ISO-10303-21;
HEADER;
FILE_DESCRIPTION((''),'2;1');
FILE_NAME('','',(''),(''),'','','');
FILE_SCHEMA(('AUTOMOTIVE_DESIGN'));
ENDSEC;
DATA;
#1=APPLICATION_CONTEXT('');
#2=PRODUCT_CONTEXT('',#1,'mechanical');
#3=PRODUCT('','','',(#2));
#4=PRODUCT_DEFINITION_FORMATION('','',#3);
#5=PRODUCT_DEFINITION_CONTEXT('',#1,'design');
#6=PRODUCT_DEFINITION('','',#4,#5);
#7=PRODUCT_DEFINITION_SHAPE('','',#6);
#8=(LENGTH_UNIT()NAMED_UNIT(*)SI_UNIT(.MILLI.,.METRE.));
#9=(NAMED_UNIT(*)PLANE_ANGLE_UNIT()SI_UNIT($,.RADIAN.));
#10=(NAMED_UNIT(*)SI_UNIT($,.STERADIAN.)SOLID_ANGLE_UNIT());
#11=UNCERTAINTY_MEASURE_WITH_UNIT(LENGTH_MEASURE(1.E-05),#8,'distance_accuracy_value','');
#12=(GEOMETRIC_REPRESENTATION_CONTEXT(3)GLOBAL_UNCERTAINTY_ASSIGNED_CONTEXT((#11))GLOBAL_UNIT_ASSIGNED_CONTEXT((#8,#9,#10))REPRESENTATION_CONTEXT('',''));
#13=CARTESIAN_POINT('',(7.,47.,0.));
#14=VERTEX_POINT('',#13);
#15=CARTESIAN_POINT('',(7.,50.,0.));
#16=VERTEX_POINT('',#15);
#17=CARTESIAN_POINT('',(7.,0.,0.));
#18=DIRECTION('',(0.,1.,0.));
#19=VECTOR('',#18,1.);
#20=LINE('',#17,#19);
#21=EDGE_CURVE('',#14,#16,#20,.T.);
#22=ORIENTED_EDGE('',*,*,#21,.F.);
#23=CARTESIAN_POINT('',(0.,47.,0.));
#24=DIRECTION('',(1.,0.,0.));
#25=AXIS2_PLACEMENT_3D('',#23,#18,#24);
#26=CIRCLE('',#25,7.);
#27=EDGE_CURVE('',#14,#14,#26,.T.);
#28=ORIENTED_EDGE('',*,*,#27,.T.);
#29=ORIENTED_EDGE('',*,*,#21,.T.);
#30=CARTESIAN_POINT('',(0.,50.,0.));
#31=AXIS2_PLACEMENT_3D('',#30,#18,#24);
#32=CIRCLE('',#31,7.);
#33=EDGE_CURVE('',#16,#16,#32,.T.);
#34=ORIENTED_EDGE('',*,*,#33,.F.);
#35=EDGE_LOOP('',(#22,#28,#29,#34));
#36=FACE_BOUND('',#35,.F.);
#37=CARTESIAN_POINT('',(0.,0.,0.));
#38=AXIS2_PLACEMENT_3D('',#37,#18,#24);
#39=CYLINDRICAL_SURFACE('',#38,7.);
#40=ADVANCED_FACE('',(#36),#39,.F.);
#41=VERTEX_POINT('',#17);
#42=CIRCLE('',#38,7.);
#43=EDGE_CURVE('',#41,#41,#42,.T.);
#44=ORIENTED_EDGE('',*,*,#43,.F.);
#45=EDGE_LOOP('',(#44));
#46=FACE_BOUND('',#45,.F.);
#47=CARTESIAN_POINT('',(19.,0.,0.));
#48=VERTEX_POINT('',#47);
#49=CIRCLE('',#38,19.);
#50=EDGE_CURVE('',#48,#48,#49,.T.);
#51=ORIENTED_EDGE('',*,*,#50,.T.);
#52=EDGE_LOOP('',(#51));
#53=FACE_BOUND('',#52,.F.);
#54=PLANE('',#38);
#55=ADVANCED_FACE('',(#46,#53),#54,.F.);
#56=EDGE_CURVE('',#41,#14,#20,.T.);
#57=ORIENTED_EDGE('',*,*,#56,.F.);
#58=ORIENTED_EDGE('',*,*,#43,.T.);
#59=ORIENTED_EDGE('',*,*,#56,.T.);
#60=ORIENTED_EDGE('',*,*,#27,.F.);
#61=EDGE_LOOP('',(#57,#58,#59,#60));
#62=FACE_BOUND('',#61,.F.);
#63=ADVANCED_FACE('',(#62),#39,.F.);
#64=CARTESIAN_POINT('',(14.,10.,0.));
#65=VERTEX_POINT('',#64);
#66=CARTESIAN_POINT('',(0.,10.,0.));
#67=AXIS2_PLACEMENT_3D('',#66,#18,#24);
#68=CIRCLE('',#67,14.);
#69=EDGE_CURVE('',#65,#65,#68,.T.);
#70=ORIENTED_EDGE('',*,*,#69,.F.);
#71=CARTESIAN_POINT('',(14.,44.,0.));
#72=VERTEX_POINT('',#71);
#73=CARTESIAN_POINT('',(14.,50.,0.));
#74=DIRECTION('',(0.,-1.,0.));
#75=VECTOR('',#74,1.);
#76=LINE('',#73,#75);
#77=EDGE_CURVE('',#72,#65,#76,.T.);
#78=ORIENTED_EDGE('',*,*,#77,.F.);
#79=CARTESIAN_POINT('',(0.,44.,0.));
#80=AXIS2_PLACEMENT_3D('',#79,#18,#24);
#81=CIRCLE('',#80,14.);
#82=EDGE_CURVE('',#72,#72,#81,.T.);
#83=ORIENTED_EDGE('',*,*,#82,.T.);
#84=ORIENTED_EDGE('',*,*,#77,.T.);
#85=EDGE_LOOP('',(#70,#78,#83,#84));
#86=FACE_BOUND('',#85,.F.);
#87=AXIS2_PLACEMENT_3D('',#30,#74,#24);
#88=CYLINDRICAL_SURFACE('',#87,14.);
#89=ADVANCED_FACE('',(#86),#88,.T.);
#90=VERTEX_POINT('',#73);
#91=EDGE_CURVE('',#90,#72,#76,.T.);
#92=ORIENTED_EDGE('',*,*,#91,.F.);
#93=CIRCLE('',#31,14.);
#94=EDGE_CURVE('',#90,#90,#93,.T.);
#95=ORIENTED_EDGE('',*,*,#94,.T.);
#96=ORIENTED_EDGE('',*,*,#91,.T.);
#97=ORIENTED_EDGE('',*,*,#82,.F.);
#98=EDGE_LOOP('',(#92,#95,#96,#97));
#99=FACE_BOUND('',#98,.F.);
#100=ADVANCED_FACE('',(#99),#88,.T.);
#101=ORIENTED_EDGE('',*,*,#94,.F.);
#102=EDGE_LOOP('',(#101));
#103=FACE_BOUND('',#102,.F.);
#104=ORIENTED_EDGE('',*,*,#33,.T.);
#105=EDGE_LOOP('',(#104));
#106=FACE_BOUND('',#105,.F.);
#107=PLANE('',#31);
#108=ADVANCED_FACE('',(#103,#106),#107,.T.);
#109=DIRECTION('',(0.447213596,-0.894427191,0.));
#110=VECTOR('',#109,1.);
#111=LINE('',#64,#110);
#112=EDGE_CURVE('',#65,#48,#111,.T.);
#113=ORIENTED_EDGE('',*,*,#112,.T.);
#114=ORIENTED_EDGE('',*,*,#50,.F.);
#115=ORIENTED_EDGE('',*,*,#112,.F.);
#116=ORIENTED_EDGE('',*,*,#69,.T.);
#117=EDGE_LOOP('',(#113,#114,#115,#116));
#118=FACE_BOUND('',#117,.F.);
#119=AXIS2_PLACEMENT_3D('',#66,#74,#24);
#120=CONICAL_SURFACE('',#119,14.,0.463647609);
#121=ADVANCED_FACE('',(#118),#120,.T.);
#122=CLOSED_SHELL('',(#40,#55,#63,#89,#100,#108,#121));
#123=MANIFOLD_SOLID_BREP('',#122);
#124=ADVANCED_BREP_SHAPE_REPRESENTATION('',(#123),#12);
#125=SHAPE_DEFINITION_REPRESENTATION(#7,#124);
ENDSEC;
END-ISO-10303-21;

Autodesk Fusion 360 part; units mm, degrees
sketch "Sketch1" plane through (0, 0, 0) normal (0, 0, 1) x (1, 0, 0)
  line L0 (0, 0) -> (0, 50) construction
  line L1 (7, 50) -> (14, 50)
  line L2 (14, 50) -> (14, 10)
  line L3 (14, 10) -> (19, 0)
  line L4 (19, 0) -> (7, 0)
  line L5 (7, 0) -> (7, 50)
  line L6 (0, 47) -> (7, 47)
  line L7 (7, 47) -> (7, 50)
  line L8 (7, 50) -> (14, 50)
  line L9 (14, 50) -> (14, 44)
  line L10 (14, 44) -> (20, 44)
  line L11 (20, 44) -> (20, 47)
  arc A0 (20, 47) -> (10, 57) centre (10, 47) ccw
  line L12 (10, 57) -> (0, 57)
  line L13 (0, 57) -> (0, 47)
  dimension "d1" = 50
  dimension "d2" = 7
  dimension "d3" = 14
  dimension "d4" = 12
  dimension "d5" = 10
  dimension "d7" = 3
  dimension "d8" = 6
  dimension "d9" = 3
  dimension "d10" = 10
  dimension "d11" = 10
  dimension "d12" = 20
revolve "Revolve1" add sketch "Sketch1" angle 360 about axis through (0, 0, 0) along (0, 1, 0) contours L1 L2 L3 L4 L5 L7 L8 L9
